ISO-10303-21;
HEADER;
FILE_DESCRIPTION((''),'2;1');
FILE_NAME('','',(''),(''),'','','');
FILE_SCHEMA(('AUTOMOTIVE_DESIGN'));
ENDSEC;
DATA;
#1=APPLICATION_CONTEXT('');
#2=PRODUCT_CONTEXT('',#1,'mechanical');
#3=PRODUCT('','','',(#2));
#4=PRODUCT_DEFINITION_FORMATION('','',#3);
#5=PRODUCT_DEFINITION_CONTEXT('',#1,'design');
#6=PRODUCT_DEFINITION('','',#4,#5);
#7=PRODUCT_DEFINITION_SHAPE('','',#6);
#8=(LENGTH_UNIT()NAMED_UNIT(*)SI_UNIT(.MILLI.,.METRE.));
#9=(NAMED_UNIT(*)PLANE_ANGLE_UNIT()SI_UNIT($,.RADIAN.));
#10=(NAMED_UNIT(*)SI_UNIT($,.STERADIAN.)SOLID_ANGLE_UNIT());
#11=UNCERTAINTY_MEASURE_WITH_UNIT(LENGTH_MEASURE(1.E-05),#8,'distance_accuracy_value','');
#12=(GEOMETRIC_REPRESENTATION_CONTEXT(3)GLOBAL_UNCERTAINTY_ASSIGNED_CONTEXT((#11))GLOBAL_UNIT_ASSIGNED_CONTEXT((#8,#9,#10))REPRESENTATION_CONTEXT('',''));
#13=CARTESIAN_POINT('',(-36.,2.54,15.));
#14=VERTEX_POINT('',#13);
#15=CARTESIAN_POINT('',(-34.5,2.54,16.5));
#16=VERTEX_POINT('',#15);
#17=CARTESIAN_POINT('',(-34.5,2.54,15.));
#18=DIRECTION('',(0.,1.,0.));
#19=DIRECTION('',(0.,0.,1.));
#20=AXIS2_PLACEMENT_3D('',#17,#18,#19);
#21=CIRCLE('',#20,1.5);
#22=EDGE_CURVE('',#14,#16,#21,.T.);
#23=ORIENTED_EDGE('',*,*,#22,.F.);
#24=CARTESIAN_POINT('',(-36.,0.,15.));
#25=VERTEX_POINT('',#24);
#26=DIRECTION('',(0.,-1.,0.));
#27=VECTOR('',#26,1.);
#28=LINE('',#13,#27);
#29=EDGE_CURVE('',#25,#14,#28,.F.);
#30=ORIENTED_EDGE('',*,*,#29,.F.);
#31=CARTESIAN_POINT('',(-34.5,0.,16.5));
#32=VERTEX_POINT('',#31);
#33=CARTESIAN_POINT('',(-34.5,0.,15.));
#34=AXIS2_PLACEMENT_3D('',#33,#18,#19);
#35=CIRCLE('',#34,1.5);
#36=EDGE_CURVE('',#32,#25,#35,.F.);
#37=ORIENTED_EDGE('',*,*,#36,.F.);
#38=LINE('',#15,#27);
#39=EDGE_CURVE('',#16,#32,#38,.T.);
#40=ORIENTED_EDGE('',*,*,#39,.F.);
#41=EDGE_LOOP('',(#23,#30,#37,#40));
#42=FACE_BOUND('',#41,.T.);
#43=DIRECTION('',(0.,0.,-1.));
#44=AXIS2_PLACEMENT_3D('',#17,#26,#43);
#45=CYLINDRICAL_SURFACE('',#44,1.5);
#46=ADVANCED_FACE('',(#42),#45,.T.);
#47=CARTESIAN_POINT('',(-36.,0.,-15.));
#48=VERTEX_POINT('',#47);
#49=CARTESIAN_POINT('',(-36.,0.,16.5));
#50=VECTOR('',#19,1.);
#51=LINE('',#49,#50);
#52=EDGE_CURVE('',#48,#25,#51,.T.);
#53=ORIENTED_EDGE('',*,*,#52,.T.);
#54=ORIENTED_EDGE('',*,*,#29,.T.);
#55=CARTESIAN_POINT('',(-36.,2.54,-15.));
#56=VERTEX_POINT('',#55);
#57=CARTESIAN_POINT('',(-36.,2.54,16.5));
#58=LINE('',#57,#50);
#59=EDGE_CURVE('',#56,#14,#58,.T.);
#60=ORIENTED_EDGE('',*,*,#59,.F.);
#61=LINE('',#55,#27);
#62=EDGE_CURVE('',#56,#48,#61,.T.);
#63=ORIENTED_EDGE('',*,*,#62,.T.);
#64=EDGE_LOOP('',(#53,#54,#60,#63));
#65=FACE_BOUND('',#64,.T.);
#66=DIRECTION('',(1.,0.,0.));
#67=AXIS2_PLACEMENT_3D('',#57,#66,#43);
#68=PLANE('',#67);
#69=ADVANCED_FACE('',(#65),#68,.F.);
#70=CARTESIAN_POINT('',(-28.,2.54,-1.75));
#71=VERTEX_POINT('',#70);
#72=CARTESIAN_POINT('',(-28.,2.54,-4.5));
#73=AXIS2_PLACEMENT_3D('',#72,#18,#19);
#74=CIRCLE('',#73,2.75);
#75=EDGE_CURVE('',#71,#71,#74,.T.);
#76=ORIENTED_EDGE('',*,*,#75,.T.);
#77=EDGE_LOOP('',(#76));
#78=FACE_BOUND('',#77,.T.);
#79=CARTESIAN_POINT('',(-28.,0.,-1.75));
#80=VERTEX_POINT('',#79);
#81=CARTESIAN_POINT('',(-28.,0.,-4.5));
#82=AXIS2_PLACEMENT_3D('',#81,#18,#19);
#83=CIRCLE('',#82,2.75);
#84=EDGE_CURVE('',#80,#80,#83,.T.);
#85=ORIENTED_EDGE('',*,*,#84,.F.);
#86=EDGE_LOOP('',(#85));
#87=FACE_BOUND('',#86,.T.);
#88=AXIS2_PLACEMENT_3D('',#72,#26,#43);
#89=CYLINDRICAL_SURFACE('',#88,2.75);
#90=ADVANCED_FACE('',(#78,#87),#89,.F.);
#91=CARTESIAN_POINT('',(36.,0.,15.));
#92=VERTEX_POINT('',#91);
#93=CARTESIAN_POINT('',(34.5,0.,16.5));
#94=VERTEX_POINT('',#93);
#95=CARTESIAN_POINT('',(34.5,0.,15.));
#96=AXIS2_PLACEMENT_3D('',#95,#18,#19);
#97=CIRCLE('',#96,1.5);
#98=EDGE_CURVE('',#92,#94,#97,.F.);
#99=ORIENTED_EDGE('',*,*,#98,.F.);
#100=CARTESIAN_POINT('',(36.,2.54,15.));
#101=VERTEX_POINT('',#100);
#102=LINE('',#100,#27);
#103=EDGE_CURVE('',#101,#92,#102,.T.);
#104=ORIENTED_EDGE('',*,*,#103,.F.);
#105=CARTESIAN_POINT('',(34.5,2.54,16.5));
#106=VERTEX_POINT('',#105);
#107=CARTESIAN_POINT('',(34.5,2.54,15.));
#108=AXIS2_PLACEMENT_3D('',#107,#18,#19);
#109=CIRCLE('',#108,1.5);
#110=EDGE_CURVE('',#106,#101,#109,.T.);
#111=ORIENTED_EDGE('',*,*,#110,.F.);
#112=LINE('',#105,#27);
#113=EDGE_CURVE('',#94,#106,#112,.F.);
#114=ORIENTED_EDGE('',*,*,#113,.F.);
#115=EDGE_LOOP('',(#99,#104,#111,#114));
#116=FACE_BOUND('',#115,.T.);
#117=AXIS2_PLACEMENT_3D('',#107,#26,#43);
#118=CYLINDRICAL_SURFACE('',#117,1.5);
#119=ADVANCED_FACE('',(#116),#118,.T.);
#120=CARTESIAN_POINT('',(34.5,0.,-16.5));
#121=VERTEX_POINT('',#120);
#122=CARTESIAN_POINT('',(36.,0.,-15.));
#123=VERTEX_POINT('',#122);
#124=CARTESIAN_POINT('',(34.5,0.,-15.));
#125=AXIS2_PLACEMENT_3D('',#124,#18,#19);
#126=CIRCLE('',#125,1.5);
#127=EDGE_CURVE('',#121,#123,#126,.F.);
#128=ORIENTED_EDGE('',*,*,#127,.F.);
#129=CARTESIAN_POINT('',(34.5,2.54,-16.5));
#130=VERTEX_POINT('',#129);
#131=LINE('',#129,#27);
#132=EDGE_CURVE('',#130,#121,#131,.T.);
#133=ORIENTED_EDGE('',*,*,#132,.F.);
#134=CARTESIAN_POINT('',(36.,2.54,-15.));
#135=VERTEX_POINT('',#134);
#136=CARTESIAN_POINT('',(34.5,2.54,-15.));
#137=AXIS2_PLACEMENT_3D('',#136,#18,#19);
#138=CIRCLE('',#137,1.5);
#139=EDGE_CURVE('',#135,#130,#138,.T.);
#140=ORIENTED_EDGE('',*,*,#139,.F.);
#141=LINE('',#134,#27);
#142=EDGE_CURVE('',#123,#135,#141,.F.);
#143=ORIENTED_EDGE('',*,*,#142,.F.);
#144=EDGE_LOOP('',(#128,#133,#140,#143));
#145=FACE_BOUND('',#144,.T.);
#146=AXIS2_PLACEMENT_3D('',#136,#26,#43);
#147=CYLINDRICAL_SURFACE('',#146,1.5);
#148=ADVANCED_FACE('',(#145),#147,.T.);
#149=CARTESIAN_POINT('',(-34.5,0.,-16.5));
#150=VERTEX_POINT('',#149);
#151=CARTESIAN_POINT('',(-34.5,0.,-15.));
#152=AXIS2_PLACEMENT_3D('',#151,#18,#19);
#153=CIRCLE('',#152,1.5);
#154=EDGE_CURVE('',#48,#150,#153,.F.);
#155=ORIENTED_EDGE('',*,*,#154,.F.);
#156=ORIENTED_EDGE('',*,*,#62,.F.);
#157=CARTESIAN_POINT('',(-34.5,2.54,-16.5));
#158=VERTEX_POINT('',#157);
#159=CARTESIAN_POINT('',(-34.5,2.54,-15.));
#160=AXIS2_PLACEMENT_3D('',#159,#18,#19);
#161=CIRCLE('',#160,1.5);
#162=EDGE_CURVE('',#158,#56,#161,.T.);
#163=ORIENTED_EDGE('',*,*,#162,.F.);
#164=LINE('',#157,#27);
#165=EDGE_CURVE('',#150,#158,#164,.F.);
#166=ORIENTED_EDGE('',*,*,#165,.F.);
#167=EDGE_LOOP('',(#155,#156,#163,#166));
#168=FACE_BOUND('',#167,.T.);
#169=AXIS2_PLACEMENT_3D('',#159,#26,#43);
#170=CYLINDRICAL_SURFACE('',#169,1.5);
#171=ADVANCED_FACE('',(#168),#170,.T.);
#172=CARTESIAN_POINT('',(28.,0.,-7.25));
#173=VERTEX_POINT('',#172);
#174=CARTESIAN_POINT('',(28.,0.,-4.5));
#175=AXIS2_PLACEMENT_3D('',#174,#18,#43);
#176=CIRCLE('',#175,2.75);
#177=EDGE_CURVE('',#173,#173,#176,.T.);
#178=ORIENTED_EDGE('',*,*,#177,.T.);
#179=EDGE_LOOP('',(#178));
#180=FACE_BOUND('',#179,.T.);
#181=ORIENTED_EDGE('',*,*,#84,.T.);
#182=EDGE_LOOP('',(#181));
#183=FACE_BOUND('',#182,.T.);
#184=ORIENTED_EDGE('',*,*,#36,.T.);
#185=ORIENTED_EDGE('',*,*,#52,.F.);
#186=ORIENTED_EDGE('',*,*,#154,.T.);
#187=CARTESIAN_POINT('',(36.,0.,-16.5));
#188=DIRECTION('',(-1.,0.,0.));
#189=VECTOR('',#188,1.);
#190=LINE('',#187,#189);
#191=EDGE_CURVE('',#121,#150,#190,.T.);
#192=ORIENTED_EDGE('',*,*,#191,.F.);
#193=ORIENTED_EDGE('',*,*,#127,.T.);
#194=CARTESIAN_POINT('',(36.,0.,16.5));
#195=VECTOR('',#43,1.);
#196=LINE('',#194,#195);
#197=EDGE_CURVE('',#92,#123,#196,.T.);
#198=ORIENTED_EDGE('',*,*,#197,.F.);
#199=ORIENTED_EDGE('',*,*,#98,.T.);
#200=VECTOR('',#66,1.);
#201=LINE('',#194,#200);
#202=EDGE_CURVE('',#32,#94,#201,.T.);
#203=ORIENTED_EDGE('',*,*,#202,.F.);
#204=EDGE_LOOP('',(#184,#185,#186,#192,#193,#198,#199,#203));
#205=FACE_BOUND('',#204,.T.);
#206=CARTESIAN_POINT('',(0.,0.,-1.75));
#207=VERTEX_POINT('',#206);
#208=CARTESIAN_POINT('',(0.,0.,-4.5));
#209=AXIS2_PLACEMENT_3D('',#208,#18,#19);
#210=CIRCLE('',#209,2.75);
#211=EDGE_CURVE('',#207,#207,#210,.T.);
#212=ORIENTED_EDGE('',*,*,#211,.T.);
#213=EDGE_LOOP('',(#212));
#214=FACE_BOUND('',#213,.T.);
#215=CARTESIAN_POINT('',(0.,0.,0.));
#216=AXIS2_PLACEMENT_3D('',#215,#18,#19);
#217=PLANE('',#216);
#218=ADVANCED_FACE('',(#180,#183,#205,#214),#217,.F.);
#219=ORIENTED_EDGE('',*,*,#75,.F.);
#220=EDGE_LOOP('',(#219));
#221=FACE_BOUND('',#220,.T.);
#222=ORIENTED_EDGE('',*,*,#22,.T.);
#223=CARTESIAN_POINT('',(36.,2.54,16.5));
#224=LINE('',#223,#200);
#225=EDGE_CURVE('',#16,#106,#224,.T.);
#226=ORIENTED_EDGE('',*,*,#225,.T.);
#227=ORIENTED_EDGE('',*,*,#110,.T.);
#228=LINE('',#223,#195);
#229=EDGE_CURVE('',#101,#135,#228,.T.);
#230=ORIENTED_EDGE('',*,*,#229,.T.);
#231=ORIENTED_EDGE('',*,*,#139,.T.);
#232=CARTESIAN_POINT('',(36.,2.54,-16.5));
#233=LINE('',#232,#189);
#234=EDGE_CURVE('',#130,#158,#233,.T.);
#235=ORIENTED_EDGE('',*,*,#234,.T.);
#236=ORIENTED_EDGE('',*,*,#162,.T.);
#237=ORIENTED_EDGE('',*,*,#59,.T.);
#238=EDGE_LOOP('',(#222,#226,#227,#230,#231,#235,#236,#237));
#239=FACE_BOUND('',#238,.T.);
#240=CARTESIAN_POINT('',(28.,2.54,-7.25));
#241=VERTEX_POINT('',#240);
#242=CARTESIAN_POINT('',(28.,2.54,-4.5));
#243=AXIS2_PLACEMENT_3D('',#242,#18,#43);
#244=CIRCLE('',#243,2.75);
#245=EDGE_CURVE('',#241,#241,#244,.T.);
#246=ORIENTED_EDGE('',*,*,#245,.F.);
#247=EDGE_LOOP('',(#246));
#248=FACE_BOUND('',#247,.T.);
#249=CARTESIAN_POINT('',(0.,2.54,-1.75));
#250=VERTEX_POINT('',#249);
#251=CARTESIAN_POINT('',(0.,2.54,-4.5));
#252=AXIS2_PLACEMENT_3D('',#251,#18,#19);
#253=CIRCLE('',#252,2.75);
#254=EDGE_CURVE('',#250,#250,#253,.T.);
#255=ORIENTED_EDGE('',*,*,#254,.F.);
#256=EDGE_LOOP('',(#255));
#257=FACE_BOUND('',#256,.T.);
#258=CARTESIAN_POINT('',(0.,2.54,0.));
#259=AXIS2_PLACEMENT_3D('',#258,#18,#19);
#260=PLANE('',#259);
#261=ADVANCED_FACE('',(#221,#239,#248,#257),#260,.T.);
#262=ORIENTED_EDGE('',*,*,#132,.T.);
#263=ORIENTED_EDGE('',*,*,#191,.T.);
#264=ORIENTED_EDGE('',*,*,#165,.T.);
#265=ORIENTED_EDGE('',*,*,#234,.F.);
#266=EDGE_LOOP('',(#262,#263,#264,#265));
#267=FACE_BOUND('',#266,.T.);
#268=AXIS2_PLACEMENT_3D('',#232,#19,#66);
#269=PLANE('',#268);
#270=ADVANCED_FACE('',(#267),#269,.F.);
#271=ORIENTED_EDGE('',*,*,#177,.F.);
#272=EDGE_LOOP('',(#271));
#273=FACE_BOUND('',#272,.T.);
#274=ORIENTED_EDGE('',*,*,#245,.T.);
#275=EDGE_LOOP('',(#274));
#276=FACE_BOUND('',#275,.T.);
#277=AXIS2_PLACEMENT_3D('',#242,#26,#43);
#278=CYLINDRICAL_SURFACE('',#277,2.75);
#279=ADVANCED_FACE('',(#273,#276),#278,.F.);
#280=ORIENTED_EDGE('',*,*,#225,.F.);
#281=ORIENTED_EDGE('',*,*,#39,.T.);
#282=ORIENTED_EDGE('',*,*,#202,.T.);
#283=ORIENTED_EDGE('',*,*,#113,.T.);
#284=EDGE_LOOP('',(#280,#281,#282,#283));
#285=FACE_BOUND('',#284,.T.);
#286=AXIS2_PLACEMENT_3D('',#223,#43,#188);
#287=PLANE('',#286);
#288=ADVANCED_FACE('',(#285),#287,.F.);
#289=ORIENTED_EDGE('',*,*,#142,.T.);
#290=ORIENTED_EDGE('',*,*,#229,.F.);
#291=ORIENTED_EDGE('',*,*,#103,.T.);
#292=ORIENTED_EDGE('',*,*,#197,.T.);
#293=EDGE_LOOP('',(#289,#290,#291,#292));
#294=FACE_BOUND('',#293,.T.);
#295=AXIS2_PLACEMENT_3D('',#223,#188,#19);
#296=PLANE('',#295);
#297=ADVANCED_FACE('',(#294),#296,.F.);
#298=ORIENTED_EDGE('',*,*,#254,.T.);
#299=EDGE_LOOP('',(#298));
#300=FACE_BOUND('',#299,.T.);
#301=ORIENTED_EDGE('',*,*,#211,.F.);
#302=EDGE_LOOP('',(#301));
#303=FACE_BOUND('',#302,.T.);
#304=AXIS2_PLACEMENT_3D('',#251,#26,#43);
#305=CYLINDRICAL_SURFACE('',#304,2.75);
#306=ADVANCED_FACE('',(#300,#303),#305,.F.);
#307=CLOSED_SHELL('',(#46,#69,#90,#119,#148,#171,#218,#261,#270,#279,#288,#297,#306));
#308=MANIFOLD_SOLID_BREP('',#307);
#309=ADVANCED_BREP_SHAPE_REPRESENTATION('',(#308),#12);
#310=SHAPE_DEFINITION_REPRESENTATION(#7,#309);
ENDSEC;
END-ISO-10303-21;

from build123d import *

# Parameters (mm, degrees)
SKETCH1_W           = 72
SKETCH1_H           = 33
SKETCH1_R           = 2.75
BOSS_EXTRUDE1_DEPTH = 2.54
FILLET1_R           = 1.5


with BuildPart() as part:
    # Sketch1 → Boss-Extrude1 (new body)
    with BuildSketch(Plane(origin=(0, 0, 0), x_dir=(1, 0, 0), z_dir=(0, 1, 0))):
        Rectangle(SKETCH1_W, SKETCH1_H)
        with Locations((-28, 4.5)):
            Circle(SKETCH1_R, mode=Mode.SUBTRACT)
        with Locations((0, 4.5)):
            Circle(SKETCH1_R, mode=Mode.SUBTRACT)
        with Locations((28, 4.5)):
            Circle(SKETCH1_R, mode=Mode.SUBTRACT)
    extrude(amount=BOSS_EXTRUDE1_DEPTH)

    # Fillet1
    fillet1_edges = [part.edges().sort_by_distance(p)[0] for p in [
        (-36, 1.27, -16.5),
        (36, 1.27, -16.5),
        (36, 1.27, 16.5),
        (-36, 1.27, 16.5),
    ]]
    fillet(fillet1_edges, radius=FILLET1_R)


solid = part.part
